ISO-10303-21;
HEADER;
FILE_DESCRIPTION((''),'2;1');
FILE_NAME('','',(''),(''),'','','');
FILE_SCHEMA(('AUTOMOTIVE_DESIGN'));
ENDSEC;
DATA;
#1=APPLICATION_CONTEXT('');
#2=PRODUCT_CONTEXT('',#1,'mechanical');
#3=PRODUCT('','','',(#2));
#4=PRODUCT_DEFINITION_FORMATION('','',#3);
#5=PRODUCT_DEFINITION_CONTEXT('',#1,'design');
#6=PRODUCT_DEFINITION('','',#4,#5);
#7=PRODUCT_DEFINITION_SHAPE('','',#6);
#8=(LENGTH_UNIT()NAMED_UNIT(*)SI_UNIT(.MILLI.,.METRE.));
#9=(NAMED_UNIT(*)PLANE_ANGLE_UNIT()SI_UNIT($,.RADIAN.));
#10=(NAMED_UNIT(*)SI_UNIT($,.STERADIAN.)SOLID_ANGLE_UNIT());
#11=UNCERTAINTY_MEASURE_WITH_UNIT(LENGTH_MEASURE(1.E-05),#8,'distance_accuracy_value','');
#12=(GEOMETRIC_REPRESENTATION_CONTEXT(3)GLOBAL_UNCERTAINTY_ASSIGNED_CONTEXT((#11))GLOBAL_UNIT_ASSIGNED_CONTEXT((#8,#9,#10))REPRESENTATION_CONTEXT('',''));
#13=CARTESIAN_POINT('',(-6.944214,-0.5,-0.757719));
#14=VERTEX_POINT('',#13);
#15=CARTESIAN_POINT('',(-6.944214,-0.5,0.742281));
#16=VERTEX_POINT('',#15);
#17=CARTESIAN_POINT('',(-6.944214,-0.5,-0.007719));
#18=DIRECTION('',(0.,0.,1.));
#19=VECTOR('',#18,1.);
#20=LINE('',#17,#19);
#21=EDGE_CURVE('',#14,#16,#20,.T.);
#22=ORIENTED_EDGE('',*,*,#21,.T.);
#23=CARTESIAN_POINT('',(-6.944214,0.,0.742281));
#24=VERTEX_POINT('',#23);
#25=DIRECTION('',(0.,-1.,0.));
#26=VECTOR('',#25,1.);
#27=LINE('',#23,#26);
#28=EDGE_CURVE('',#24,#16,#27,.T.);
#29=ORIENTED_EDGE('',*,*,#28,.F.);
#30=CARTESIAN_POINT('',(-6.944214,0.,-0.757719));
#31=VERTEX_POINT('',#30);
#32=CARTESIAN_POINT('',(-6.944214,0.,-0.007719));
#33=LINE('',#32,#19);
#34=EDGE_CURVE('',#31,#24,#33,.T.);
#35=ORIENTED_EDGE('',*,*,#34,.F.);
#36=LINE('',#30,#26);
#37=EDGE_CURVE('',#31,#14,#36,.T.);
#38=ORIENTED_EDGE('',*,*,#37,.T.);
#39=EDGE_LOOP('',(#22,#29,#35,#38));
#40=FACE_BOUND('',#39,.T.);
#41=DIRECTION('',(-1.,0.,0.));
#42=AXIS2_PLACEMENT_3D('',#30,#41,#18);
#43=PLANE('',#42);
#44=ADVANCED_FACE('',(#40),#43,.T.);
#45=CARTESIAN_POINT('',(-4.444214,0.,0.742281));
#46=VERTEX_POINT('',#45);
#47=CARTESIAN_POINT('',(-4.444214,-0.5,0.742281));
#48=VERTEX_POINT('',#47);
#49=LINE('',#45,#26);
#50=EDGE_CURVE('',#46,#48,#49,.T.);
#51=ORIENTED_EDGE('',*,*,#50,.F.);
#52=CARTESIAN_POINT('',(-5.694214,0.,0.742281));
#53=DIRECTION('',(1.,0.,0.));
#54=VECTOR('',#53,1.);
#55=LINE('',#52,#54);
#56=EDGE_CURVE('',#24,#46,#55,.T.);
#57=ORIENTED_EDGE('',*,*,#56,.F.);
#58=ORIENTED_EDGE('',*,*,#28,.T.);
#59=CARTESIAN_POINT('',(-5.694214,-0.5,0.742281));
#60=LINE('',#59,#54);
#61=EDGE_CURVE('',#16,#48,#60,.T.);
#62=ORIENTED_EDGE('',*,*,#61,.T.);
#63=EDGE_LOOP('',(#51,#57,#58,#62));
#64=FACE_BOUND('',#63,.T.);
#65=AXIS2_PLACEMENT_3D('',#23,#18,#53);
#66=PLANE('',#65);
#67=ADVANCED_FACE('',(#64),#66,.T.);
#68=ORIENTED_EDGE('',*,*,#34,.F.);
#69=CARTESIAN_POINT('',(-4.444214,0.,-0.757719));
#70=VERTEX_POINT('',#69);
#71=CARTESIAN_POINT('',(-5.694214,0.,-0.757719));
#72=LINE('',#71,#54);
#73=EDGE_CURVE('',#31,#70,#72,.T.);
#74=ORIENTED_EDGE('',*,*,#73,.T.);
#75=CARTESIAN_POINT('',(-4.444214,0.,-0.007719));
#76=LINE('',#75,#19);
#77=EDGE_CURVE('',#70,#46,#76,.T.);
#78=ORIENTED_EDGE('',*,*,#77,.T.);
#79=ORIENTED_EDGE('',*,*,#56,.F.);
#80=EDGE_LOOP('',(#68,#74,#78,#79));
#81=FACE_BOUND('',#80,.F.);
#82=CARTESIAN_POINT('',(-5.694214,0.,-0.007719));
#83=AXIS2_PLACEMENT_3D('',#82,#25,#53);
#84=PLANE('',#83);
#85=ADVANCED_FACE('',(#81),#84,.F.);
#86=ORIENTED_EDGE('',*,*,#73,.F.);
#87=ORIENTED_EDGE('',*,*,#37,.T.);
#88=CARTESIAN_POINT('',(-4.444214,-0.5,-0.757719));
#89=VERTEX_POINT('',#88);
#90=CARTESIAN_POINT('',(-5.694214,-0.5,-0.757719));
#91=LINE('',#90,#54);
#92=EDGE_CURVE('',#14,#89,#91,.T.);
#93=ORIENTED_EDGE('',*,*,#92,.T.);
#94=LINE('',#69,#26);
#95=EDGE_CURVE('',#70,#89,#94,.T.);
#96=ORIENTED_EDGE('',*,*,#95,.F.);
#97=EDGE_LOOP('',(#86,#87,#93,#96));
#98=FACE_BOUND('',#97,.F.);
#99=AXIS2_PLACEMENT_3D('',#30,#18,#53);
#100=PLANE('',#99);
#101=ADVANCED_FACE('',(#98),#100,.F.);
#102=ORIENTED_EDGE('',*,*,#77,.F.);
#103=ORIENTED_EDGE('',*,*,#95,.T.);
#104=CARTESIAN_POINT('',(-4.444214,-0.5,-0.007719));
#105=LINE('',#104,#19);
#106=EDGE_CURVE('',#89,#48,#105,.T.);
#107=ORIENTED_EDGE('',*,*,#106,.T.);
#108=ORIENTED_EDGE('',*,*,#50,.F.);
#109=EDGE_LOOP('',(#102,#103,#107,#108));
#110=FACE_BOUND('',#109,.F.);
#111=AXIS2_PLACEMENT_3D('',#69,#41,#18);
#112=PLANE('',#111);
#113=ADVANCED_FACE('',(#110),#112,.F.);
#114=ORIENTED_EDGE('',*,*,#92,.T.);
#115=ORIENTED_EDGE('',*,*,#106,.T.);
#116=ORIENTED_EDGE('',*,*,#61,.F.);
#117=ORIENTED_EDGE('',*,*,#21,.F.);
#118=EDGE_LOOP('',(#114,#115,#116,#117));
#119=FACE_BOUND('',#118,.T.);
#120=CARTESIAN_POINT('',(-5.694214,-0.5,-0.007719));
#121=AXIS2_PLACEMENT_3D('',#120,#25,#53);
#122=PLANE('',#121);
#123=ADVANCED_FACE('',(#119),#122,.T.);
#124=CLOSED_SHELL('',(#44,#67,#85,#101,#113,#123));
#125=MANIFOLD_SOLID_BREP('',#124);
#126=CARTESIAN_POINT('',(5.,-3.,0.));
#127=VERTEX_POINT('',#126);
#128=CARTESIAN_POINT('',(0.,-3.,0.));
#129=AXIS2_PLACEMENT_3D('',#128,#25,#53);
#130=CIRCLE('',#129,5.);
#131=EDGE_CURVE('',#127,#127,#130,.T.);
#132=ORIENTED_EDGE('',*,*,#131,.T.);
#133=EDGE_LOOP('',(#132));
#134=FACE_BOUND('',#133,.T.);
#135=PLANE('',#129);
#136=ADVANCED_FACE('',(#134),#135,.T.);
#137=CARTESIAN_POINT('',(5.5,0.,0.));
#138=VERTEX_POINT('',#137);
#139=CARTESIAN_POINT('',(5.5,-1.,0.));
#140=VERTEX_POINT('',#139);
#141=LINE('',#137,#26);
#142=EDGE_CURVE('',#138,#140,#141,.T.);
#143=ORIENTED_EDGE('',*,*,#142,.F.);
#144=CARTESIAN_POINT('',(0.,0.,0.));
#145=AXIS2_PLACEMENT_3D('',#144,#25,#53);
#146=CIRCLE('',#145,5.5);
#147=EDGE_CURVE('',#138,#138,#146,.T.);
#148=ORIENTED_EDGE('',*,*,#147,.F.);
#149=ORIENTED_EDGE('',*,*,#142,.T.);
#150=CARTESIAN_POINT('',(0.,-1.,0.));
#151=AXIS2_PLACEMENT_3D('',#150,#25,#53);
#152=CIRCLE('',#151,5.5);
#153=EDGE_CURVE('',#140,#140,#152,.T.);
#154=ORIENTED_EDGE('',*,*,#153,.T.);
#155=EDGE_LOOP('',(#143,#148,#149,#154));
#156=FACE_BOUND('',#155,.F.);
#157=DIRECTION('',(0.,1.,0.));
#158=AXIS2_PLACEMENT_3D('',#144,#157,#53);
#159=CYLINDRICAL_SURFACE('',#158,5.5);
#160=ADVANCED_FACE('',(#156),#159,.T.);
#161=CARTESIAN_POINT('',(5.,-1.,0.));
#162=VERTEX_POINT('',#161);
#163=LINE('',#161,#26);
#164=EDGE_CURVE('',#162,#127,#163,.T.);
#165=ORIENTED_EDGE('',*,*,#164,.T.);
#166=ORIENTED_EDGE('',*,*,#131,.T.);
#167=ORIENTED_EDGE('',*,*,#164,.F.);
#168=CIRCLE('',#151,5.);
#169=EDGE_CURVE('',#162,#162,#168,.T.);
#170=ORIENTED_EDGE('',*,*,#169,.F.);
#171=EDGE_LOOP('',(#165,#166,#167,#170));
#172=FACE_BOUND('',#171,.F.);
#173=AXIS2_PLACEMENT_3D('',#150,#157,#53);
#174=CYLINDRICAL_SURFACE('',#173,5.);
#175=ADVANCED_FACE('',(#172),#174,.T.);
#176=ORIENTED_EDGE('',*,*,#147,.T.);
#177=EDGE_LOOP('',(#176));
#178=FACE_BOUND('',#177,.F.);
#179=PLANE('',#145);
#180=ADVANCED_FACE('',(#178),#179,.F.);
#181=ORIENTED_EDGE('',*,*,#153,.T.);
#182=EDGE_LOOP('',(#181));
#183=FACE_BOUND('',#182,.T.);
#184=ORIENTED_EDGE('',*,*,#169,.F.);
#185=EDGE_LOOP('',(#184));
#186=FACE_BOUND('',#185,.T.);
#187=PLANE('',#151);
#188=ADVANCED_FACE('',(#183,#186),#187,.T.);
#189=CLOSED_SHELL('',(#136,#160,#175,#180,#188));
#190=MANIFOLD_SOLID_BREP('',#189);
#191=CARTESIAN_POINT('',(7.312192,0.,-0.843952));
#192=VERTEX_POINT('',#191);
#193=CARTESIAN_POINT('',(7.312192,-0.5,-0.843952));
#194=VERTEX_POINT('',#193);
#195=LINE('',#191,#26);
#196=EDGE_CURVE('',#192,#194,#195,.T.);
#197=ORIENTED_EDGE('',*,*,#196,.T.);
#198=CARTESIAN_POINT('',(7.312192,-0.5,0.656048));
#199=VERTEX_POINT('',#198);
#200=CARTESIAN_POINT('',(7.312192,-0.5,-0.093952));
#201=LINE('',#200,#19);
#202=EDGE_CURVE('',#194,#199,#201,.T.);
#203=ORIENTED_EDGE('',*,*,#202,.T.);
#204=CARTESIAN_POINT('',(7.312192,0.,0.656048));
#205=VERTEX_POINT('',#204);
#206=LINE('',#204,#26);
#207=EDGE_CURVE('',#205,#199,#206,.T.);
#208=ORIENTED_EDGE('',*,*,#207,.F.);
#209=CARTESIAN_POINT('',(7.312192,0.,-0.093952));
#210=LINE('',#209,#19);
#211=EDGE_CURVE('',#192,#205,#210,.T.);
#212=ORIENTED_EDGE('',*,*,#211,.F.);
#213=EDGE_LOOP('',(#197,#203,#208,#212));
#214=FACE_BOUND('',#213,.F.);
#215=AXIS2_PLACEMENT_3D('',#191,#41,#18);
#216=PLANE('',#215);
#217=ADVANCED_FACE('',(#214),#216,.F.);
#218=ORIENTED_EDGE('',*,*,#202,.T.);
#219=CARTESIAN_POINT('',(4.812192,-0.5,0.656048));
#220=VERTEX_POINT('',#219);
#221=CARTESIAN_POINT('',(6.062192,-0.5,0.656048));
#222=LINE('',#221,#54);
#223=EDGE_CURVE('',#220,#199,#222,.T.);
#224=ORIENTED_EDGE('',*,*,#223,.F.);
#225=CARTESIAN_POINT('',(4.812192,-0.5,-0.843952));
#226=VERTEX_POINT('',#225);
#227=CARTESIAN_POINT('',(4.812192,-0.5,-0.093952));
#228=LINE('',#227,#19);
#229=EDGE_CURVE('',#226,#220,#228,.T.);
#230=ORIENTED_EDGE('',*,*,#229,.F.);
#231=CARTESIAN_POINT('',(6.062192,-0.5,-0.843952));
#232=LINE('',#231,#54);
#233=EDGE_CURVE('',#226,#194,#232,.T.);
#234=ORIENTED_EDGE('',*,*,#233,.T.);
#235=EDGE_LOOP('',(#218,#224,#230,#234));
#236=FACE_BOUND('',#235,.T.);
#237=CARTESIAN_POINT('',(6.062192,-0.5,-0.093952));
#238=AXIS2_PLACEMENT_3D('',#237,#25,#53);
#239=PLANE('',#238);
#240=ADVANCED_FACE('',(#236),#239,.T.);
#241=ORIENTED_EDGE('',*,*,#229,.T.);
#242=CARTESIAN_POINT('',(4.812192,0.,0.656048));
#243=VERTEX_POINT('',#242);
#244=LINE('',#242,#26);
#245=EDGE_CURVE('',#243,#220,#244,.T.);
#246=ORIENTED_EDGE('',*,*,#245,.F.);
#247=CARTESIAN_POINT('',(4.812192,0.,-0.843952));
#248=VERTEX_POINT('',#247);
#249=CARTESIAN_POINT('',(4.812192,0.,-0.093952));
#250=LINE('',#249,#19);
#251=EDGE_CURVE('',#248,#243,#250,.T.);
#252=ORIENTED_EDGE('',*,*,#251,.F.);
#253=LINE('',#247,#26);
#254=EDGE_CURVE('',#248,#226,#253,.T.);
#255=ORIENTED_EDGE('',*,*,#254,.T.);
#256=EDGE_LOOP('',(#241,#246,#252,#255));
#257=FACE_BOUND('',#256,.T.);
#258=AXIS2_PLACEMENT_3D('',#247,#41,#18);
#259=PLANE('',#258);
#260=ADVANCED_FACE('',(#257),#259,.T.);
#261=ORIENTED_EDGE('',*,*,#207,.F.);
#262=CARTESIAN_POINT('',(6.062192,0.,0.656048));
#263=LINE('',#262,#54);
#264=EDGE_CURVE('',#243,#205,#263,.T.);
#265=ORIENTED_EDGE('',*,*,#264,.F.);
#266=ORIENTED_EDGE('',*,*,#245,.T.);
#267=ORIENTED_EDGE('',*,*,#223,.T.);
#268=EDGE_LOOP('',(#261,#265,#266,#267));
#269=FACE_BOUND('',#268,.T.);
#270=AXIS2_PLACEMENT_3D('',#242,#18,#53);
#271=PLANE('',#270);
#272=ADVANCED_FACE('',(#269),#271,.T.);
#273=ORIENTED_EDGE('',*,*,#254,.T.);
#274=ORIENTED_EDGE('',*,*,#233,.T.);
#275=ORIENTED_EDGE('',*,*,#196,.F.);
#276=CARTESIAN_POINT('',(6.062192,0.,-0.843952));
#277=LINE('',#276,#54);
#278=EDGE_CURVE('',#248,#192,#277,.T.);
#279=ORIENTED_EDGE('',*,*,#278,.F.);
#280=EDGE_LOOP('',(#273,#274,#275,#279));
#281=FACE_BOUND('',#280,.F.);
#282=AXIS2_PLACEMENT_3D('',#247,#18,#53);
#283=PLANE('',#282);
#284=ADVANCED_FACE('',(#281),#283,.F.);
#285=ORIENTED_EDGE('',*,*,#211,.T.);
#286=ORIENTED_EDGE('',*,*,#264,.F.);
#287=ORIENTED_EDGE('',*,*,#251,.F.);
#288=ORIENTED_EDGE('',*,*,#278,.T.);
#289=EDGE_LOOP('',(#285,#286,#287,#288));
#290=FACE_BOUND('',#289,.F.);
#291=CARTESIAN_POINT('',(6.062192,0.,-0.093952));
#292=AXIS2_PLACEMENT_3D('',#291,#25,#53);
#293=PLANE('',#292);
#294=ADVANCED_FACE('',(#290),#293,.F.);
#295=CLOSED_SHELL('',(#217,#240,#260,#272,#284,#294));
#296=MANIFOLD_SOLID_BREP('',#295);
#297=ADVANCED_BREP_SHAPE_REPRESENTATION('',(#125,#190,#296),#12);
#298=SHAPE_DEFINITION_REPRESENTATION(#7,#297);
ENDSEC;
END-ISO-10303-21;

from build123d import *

# Parameters (mm, degrees)
F0_R     = 5.5
F1_DEPTH = 1
F2_R     = 5
F3_DEPTH = 2
F4_W     = 2.5
F4_H     = 1.5
F6_DEPTH = 0.5
F5_W     = 2.5
F5_H     = 1.5
F7_DEPTH = 0.5


with BuildPart() as f1:
    # F0 (on Front) → F1 (new body)
    with BuildSketch(Plane.XZ):
        Circle(F0_R)
    extrude(amount=F1_DEPTH)

    # F2 (on face) → F3 (join)
    with BuildSketch(Plane.XZ.offset(1)):
        Circle(F2_R)
    extrude(amount=F3_DEPTH)


with BuildPart() as f6:
    # F4 (on Front) → F6 (new body)
    with BuildSketch(Plane.XZ):
        with Locations((6.062192, -0.093952)):
            Rectangle(F4_W, F4_H)
    extrude(amount=F6_DEPTH)


with BuildPart() as f7:
    # F5 (on Front) → F7 (new body)
    with BuildSketch(Plane.XZ):
        with Locations((-5.694214, -0.007719)):
            Rectangle(F5_W, F5_H)
    extrude(amount=F7_DEPTH)


solid = Compound([f1.part, f6.part, f7.part])
